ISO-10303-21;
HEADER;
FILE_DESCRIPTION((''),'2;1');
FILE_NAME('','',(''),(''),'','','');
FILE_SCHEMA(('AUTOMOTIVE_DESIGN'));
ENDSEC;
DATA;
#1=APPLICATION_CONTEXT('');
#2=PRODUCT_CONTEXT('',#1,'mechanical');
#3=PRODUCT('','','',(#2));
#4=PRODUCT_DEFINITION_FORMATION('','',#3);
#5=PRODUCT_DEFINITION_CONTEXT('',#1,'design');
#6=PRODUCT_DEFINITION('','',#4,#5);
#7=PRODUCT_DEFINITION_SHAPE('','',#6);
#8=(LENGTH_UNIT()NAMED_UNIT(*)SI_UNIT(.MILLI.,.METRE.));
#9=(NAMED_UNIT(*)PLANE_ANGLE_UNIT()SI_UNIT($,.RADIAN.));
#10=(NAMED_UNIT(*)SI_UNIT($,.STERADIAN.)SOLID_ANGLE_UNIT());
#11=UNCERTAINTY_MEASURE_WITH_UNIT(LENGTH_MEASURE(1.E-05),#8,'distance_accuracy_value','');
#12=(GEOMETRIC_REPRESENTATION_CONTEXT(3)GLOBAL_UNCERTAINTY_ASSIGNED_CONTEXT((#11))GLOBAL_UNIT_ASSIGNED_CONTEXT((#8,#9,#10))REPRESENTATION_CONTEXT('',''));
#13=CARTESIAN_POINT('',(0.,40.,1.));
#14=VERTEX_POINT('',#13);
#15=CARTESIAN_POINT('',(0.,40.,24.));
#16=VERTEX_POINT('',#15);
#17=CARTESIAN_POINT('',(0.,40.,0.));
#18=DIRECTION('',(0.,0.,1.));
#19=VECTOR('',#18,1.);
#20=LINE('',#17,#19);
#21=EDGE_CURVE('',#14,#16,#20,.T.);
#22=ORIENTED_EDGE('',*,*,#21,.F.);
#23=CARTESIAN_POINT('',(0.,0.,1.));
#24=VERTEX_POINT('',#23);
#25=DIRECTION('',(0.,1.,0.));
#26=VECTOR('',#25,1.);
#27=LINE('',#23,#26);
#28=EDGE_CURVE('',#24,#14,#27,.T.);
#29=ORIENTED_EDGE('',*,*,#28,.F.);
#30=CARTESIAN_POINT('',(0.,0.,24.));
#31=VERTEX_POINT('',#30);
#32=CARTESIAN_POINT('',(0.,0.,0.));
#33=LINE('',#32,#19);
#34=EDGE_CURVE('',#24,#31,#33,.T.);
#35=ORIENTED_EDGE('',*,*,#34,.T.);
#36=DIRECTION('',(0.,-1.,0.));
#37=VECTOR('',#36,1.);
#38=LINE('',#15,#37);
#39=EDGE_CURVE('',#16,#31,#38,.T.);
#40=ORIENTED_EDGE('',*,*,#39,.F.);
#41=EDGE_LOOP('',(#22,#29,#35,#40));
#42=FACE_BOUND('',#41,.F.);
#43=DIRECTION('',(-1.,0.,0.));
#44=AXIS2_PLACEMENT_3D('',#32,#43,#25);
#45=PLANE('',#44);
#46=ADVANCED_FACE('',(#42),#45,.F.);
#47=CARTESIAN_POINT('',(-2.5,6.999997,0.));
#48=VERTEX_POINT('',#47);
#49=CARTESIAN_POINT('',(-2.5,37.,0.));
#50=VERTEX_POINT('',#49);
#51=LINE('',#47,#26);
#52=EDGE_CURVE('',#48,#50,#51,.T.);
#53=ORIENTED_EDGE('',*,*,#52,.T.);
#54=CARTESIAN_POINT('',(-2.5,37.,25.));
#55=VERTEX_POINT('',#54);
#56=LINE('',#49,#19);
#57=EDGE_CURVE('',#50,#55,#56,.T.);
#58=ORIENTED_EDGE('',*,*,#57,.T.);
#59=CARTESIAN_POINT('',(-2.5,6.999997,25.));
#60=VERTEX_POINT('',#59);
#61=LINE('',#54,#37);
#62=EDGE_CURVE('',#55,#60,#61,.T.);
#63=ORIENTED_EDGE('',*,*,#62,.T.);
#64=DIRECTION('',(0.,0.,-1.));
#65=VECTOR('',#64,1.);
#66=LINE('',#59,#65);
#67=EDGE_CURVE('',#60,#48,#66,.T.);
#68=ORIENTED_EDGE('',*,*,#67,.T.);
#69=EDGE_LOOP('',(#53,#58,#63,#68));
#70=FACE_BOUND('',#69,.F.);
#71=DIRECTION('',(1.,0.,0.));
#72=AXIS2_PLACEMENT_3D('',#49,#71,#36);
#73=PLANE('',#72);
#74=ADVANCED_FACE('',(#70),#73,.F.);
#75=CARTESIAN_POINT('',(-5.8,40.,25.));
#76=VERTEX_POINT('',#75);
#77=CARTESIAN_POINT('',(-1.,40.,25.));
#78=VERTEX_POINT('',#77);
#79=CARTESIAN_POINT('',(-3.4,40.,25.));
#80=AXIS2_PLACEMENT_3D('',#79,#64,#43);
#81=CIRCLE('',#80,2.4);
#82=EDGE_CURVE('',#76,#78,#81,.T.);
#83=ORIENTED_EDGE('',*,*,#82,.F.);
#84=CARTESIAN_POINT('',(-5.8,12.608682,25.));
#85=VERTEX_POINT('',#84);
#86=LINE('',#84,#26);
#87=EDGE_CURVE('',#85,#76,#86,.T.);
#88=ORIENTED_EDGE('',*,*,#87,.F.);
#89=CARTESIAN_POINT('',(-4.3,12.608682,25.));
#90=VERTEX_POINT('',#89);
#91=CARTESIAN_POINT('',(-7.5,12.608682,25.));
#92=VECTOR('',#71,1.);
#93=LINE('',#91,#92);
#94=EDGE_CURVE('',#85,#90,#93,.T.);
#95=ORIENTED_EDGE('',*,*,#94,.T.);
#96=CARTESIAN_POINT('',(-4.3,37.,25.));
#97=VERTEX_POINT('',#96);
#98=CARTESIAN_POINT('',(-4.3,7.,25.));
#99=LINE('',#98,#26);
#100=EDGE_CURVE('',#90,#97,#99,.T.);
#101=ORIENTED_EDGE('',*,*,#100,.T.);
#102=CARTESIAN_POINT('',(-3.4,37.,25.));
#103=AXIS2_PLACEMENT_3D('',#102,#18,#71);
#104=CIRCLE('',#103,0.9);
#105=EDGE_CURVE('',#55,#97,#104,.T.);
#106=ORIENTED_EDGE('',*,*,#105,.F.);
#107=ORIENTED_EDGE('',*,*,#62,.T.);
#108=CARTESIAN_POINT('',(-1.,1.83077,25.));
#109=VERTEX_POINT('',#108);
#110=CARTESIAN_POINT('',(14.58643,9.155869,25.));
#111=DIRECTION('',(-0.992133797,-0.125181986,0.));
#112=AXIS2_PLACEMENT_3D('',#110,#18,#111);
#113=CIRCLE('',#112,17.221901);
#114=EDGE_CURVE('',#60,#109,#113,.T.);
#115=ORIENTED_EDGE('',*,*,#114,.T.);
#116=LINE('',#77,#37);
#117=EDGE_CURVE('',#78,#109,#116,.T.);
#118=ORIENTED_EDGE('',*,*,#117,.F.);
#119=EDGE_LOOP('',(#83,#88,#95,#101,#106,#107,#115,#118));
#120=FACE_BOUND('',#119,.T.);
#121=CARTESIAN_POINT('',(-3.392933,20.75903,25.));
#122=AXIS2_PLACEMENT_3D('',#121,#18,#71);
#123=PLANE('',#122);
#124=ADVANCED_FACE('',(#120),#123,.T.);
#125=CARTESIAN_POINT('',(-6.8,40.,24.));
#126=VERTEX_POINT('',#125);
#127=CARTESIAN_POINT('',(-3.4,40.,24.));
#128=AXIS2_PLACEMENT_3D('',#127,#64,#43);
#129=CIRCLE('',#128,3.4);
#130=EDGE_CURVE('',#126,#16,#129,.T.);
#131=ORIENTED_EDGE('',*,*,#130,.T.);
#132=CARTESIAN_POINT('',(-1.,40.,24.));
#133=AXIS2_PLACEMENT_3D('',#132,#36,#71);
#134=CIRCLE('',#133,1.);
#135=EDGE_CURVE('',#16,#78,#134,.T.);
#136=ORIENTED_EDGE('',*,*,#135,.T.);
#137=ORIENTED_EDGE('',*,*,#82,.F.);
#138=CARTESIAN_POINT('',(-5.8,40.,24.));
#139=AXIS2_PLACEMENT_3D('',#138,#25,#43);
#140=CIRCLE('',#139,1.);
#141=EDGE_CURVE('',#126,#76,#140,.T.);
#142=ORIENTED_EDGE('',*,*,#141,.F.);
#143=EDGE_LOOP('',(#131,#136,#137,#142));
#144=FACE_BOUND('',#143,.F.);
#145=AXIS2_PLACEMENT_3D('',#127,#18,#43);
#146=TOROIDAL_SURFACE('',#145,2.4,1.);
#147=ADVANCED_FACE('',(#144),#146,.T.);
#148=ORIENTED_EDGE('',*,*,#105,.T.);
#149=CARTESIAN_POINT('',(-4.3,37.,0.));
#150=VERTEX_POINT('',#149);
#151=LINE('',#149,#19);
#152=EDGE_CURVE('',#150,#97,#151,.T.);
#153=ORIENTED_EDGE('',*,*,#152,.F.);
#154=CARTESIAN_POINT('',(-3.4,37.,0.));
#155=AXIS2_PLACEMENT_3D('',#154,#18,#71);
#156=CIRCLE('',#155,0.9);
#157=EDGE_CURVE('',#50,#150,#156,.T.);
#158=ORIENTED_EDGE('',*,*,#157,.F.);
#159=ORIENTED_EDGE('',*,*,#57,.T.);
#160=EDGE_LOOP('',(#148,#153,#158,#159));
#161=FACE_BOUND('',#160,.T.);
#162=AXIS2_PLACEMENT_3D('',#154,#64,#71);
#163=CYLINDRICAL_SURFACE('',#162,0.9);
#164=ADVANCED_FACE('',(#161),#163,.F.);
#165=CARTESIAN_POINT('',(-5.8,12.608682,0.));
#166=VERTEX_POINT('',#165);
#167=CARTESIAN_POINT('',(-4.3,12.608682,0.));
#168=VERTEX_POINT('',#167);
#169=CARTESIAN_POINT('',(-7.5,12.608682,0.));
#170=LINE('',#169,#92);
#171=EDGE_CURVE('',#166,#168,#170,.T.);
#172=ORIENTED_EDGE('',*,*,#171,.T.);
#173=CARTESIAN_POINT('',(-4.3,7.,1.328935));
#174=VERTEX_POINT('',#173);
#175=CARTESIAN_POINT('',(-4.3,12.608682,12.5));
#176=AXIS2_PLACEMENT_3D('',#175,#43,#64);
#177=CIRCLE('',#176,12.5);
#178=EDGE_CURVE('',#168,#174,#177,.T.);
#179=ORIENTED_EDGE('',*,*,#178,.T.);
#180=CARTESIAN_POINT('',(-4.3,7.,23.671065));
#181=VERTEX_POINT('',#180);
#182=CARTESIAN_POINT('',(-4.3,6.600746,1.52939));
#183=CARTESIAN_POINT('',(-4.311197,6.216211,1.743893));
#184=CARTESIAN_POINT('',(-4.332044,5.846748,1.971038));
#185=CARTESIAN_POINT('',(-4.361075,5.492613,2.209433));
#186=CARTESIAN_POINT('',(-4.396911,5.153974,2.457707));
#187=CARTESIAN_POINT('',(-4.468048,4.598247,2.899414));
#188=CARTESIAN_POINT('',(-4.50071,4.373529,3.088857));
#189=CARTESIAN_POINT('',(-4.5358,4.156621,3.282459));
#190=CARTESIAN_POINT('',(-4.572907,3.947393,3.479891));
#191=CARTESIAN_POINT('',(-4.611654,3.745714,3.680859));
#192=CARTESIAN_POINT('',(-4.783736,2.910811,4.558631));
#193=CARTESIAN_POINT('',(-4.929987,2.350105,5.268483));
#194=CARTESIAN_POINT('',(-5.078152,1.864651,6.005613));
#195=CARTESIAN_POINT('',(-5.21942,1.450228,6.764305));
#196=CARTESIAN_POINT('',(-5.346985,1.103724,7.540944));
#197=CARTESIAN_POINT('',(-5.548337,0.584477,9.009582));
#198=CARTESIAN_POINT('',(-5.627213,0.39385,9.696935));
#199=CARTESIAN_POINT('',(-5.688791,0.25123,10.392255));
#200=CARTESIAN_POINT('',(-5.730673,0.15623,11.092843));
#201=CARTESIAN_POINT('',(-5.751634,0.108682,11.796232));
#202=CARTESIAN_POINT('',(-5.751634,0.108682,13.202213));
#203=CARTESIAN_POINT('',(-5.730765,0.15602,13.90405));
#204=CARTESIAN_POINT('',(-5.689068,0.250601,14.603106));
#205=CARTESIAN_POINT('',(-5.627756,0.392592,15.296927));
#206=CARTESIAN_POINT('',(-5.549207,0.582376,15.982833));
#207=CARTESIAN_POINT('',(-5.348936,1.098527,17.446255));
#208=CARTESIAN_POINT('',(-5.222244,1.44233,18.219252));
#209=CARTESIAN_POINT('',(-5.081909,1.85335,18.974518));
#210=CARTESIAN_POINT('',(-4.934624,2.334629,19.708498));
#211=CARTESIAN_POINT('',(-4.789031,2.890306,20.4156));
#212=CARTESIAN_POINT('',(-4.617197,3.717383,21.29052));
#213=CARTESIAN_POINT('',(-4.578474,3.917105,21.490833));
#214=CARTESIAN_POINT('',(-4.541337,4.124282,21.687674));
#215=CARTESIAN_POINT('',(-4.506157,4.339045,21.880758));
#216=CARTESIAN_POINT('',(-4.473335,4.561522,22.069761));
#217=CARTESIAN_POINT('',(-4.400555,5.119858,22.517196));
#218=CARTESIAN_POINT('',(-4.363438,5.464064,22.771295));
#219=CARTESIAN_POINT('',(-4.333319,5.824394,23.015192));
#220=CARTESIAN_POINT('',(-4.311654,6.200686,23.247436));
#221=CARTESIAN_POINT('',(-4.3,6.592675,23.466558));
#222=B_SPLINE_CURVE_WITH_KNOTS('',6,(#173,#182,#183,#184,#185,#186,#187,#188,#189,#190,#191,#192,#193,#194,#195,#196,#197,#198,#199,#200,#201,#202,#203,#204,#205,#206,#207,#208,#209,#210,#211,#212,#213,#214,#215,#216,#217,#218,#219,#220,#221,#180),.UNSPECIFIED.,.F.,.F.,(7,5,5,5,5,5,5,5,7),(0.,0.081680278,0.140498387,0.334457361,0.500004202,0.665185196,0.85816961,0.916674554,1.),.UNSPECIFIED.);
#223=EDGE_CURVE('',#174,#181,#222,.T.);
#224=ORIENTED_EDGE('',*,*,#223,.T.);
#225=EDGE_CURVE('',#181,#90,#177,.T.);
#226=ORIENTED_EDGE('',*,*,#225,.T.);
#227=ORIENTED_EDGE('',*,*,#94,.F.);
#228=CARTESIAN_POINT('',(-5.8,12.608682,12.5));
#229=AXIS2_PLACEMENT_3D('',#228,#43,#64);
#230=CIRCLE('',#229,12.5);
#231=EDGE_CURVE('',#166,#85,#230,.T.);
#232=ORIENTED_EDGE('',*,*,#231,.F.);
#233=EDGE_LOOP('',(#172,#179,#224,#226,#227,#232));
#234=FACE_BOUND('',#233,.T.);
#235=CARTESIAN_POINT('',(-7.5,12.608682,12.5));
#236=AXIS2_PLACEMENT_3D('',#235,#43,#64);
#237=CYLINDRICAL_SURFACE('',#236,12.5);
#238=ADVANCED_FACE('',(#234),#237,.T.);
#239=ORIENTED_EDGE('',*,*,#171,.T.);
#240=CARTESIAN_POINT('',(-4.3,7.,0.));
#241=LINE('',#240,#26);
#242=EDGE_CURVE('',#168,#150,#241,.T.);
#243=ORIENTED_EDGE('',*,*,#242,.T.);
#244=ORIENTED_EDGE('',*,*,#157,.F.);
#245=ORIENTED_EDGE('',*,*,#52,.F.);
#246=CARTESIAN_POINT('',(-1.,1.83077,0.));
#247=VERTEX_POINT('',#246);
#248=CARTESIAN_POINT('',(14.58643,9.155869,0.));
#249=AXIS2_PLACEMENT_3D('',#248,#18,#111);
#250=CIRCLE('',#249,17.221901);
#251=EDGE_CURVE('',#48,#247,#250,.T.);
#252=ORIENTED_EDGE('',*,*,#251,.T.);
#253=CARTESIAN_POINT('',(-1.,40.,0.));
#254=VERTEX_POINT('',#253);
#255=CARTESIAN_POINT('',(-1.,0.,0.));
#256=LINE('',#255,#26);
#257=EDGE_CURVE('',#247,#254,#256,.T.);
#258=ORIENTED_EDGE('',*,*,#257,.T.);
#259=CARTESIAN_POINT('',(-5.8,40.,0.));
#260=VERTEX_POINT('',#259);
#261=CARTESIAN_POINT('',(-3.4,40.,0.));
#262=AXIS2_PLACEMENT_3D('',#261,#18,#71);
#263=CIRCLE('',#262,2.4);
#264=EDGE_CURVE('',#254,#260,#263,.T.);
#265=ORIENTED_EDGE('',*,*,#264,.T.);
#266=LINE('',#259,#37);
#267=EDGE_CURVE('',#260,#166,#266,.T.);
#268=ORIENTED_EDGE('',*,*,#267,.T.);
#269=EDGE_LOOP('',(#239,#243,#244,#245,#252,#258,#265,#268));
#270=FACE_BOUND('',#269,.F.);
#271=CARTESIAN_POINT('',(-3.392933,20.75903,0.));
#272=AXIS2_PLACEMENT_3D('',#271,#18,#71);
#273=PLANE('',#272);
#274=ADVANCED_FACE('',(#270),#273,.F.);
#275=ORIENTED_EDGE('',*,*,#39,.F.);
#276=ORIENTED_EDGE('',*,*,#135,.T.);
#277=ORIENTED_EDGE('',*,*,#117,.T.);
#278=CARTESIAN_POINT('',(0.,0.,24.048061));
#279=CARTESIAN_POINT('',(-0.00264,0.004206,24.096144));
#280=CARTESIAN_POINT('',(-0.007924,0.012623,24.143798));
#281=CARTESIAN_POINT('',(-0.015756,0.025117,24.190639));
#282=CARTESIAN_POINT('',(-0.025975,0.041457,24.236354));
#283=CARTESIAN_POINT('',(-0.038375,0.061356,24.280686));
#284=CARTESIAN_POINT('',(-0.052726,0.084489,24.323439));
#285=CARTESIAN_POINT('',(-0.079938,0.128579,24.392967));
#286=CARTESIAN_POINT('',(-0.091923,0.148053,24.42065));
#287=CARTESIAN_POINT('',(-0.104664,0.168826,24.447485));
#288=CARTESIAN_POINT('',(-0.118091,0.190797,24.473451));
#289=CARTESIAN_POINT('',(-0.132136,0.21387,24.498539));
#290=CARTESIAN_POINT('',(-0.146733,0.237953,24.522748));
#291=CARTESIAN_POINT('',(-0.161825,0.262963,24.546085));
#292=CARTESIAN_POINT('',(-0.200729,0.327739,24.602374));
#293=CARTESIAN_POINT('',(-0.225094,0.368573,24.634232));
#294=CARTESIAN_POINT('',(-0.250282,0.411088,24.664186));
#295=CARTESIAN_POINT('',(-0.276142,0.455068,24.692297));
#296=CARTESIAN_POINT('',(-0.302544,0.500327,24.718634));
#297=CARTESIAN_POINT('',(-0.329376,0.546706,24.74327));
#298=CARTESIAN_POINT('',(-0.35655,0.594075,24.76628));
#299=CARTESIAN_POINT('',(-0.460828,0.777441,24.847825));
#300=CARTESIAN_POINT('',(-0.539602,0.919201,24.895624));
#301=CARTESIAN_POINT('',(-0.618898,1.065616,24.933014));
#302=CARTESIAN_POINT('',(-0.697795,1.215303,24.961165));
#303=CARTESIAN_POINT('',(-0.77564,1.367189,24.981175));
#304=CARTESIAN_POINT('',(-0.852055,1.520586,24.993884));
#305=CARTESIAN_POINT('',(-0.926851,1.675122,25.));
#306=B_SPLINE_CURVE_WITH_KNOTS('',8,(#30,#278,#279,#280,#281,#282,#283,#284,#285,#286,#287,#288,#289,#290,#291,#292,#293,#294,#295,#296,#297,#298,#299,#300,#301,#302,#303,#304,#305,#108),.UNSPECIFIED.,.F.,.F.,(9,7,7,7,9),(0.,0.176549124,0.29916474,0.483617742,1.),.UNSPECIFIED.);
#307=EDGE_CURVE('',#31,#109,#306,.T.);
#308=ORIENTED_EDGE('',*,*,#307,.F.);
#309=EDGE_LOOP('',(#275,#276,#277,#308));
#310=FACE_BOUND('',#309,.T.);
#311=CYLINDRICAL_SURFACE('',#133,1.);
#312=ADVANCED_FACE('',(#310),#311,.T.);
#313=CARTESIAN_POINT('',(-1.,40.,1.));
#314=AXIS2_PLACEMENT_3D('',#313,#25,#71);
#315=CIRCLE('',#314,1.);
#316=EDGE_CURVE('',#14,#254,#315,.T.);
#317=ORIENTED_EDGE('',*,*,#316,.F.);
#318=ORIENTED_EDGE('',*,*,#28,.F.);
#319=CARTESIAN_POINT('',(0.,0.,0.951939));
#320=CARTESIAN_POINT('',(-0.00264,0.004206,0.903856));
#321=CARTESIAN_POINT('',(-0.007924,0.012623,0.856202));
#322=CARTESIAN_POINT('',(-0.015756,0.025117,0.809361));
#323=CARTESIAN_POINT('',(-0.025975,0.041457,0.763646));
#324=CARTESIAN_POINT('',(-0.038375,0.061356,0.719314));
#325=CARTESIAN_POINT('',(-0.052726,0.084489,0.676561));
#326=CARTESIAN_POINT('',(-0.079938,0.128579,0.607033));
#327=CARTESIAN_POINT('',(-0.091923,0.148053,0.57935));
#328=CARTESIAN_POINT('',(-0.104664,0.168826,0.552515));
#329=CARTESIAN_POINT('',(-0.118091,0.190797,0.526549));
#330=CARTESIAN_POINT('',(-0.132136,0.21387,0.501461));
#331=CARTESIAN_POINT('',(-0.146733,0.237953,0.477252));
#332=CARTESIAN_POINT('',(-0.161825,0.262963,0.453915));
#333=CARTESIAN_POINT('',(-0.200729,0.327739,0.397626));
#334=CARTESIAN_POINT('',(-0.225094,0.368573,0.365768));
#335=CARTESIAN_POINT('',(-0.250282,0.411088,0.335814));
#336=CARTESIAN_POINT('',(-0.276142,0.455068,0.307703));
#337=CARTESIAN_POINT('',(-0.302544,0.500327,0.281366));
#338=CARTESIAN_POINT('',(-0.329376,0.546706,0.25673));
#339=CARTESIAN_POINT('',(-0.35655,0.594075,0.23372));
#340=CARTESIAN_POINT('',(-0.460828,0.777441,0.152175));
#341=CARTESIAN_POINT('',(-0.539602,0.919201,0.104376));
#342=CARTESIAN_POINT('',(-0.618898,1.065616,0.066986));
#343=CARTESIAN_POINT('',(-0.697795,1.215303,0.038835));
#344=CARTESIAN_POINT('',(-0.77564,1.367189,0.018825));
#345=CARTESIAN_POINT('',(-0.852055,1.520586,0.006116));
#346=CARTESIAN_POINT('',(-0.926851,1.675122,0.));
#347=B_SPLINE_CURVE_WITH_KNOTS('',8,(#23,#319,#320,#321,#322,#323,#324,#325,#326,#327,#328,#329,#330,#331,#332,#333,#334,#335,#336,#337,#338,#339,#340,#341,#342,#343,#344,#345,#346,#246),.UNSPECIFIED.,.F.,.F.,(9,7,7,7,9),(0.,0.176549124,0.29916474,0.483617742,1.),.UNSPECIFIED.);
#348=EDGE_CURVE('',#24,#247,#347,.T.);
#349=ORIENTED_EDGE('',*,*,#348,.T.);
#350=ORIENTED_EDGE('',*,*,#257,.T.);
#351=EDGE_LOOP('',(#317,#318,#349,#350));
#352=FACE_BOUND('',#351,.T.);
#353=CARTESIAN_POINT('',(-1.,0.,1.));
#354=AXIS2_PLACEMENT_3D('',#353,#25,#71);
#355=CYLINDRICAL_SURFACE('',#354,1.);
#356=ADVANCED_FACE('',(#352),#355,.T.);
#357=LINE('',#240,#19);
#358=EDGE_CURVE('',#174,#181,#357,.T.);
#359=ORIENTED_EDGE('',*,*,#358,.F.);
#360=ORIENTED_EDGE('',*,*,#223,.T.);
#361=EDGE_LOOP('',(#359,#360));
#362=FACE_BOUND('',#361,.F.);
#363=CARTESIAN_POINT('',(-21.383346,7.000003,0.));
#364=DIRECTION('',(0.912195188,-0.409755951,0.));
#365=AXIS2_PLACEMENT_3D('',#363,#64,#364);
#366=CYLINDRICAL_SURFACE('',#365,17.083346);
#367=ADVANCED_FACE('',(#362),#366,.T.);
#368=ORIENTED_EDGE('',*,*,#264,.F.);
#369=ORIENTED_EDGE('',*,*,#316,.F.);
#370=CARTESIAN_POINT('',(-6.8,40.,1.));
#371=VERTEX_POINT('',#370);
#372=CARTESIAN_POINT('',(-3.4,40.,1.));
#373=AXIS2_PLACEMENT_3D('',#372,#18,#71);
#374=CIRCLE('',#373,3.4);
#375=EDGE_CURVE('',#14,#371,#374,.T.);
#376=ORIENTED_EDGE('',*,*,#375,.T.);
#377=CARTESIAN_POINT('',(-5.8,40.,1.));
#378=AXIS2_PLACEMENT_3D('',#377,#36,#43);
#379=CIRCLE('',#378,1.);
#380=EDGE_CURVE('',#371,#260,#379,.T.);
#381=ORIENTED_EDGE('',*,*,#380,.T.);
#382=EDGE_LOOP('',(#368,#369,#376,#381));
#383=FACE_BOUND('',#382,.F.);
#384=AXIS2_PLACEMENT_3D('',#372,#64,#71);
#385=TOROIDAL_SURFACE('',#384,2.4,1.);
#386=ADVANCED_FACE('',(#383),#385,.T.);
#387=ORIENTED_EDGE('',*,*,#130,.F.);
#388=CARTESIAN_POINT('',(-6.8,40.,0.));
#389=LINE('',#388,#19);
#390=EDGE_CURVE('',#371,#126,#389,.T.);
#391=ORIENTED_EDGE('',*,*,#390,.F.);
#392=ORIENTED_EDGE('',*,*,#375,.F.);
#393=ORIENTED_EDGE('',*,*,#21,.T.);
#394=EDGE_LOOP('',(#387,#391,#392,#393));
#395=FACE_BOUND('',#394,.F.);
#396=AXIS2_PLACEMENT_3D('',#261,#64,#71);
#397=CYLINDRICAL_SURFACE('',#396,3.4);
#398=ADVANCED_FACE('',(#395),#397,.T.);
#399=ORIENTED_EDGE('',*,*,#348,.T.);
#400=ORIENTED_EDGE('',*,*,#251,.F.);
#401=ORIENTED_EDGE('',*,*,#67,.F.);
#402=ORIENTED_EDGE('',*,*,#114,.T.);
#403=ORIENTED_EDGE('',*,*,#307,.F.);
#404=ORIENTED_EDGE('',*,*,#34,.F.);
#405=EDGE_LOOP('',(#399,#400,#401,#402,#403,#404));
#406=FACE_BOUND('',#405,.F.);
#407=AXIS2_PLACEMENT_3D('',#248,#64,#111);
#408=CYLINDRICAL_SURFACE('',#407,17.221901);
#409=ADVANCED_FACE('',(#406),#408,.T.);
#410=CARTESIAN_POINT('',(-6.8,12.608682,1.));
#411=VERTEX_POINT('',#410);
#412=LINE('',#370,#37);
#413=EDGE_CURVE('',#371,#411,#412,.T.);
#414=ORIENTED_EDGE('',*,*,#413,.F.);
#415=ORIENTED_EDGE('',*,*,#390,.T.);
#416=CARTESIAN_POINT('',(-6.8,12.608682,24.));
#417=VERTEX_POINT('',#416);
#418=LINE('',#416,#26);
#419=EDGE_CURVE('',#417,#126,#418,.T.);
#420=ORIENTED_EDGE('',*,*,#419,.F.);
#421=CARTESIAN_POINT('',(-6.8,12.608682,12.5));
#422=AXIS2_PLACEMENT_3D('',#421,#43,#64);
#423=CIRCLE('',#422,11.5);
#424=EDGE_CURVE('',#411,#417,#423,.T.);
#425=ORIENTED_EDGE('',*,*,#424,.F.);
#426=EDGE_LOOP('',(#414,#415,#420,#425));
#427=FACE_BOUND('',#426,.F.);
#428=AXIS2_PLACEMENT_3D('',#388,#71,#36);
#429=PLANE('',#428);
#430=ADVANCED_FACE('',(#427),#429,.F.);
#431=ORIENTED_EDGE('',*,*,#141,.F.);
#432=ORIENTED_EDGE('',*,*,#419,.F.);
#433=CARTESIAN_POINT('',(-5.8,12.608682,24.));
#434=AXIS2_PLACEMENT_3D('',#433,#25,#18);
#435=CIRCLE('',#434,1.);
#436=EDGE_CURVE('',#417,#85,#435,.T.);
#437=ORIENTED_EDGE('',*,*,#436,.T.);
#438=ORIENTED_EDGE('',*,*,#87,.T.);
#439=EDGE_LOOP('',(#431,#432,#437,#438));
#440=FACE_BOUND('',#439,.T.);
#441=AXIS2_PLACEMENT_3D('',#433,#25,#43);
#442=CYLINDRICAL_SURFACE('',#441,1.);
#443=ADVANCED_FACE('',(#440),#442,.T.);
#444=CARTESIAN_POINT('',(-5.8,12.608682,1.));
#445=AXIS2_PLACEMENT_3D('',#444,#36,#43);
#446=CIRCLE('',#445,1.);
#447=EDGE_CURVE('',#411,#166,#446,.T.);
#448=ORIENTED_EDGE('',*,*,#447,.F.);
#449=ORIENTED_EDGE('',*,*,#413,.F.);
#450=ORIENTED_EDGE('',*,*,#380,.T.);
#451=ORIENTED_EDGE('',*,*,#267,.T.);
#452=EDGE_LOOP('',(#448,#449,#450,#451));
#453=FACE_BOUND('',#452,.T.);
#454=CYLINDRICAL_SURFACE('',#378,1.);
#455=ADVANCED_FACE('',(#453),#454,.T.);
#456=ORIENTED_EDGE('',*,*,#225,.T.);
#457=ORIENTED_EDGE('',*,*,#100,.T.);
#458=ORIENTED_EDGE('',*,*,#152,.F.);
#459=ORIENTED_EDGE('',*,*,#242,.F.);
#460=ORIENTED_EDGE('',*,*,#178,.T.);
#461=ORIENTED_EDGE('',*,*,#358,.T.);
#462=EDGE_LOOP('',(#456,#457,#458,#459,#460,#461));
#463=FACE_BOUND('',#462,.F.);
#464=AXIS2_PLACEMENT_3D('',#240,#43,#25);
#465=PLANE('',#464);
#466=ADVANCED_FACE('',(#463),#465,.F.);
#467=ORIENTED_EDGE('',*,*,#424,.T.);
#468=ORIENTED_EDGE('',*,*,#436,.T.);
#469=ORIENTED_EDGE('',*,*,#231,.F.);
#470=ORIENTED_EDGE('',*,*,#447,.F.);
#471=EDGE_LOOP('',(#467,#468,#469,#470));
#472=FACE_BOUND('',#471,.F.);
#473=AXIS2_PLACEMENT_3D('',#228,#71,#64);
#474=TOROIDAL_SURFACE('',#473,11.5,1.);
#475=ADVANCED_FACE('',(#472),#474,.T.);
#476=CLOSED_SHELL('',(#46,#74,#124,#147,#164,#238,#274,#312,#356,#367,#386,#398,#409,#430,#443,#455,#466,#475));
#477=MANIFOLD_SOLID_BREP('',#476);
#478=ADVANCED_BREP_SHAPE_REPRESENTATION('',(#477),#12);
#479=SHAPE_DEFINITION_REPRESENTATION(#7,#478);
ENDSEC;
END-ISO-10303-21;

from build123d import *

# Parameters (mm, degrees)
PAD_DEPTH    = 25
POCKET_DEPTH = 5
FILLET_R     = 1


with BuildPart() as part:
    # Sketch → Pad (new body)
    with BuildSketch(Plane.XY):
        with BuildLine():
            Line((-6.8, 40), (-6.8, 0))
            Line((-6.8, 0), (-5.8, 0))
            ThreePointArc((-5.8, 0), (-4.679209, 3.420545), (-4.3, 7))
            Line((-4.3, 7), (-4.3, 37))
            ThreePointArc((-2.5, 37), (-3.4, 37.9), (-4.3, 37))
            Line((-2.5, 37), (-2.5, 6.999997))
            ThreePointArc((-2.5, 6.999997), (-1.632155, 3.363514), (0, 0))
            Line((0, 0), (0, 40))
            ThreePointArc((0, 40), (-3.4, 43.4), (-6.8, 40))
        make_face()
    extrude(amount=PAD_DEPTH)

    # Sketch001 → Pocket (cut)
    with BuildSketch(Plane(origin=(-7.5, 0, 0), x_dir=(0, -1, 0), z_dir=(-1, 0, 0))):
        with BuildLine():
            ThreePointArc((-12.608682, 0), (-0.108682, 12.5), (-12.608682, 25))
            Line((-12.608682, 25), (7.391318, 25))
            Line((7.391318, 25), (7.391318, 0))
            Line((7.391318, 0), (-12.608682, 0))
        make_face()
    extrude(amount=-POCKET_DEPTH, mode=Mode.SUBTRACT)

    # Fillet
    fillet_edges = [part.edges().sort_by_distance(p)[0] for p in [
        (-6.8, 26.304341, 0),
        (-6.8, 0.108682, 12.5),
        (-6.8, 26.304341, 25),
        (-6.8, 40, 12.5),
    ]]
    fillet(fillet_edges, radius=FILLET_R)


solid = part.part
